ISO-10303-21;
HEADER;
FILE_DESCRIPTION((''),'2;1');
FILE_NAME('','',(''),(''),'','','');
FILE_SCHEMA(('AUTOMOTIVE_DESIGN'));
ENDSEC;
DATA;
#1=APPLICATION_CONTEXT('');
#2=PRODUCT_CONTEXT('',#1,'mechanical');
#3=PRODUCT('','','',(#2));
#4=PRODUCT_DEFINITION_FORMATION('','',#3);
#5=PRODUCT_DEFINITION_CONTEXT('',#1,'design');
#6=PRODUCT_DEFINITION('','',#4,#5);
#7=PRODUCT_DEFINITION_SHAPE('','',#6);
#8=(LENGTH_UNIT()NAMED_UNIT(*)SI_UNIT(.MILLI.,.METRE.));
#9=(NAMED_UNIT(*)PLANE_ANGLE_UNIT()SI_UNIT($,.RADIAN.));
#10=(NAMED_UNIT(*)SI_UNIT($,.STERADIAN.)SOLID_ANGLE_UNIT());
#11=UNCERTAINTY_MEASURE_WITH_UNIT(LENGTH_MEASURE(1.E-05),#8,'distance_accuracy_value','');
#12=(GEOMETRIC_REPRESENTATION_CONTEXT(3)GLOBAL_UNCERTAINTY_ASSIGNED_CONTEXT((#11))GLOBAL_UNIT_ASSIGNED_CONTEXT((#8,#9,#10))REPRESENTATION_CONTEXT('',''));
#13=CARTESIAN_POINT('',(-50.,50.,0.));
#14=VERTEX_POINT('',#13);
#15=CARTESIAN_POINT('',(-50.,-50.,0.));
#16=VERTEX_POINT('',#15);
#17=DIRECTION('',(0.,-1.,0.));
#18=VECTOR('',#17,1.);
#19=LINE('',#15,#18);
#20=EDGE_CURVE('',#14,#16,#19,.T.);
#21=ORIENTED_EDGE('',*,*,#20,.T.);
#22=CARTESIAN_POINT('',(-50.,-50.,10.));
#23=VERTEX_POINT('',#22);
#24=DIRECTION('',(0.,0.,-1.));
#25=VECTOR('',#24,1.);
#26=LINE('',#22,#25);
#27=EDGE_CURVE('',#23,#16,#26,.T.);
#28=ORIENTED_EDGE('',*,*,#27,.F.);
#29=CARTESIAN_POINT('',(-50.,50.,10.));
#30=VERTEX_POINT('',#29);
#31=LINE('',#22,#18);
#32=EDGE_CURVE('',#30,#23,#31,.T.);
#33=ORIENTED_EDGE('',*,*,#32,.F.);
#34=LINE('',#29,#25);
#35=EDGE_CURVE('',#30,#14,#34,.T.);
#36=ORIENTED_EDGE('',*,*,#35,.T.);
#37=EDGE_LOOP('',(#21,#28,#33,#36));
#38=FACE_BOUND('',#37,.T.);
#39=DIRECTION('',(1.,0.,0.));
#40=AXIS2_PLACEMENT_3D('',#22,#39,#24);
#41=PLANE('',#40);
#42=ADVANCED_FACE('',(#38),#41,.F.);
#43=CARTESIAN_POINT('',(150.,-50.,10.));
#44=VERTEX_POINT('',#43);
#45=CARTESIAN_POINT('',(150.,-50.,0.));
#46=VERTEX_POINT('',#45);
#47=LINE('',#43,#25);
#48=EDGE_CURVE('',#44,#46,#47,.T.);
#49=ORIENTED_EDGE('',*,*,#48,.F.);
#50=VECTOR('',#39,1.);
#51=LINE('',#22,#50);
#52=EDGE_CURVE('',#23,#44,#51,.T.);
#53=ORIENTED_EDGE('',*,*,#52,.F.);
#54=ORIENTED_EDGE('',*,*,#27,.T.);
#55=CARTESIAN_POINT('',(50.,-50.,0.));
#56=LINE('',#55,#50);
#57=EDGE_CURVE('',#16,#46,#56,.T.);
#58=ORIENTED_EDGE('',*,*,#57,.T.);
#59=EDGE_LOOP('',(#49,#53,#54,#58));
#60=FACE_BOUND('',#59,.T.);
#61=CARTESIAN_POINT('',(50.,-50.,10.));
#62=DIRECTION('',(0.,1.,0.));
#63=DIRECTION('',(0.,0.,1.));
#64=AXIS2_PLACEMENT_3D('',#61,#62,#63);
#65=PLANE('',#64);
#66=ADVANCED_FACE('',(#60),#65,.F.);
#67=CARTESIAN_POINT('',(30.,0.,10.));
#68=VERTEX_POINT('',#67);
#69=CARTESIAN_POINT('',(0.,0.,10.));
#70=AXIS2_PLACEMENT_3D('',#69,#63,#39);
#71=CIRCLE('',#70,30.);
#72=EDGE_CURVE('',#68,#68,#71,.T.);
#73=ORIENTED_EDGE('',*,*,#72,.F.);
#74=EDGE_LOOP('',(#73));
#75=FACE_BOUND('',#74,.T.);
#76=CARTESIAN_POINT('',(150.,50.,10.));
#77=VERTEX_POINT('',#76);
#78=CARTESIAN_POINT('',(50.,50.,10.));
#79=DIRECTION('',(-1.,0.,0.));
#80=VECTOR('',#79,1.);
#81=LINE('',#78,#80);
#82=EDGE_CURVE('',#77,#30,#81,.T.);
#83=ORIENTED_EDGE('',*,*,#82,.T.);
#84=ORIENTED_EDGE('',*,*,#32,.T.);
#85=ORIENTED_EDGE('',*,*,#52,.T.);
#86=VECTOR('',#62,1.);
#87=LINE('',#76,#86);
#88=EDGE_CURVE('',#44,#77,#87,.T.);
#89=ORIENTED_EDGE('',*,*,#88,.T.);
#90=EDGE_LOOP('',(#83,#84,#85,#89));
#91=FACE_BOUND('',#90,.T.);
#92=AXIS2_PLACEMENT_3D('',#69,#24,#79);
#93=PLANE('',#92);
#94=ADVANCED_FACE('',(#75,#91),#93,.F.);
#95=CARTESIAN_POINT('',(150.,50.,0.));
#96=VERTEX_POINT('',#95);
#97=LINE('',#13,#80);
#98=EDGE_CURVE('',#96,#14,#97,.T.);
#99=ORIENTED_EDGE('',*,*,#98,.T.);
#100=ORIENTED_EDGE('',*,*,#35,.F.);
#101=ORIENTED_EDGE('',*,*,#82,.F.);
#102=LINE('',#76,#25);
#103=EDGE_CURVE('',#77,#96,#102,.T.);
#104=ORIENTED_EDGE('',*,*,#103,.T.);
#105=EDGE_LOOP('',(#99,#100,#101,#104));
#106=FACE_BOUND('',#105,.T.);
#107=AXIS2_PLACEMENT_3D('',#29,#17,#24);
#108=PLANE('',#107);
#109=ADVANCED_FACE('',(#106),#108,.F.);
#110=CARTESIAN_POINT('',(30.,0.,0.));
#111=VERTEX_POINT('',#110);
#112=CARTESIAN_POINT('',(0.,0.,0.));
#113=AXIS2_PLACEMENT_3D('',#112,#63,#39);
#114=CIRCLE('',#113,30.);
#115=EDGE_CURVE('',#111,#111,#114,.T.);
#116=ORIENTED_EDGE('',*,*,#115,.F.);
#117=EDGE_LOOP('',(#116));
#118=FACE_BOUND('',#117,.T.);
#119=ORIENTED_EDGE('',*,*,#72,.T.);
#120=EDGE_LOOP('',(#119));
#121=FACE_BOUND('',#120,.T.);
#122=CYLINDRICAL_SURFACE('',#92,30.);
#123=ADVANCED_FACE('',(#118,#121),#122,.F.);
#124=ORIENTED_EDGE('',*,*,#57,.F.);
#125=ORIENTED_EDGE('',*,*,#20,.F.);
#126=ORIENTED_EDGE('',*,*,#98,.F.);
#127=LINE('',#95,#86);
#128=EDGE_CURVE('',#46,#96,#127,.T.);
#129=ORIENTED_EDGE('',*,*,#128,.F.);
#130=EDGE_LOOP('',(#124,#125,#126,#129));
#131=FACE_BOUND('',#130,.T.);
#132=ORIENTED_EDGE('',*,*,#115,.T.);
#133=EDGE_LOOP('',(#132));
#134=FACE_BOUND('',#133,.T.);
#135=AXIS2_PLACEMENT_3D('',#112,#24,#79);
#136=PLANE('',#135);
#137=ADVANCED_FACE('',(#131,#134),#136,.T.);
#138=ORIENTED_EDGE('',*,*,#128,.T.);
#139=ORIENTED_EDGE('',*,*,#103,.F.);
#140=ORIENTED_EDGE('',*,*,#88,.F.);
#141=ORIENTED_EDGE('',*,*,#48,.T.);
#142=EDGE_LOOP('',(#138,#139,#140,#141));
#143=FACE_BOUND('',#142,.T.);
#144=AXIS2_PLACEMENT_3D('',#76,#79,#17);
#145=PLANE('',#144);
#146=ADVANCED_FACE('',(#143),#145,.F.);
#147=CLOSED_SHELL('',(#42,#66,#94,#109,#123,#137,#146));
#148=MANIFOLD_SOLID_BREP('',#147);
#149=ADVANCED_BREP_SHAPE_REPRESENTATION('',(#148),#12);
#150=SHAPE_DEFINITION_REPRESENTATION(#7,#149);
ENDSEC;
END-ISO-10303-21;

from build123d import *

# Parameters (mm, degrees)
SKETCH_1_R      = 30
EXTRUDE_1_DEPTH = 10


with BuildPart() as part:
    # 草图1 → 凸台-拉伸1 (new body)
    with BuildSketch(Plane.XY):
        Polygon((-50, -50), (50, -50), (150, -50), (150, 50), (50, 50), (-50, 50), align=None)
        Circle(SKETCH_1_R, mode=Mode.SUBTRACT)
    extrude(amount=EXTRUDE_1_DEPTH)


solid = part.part
